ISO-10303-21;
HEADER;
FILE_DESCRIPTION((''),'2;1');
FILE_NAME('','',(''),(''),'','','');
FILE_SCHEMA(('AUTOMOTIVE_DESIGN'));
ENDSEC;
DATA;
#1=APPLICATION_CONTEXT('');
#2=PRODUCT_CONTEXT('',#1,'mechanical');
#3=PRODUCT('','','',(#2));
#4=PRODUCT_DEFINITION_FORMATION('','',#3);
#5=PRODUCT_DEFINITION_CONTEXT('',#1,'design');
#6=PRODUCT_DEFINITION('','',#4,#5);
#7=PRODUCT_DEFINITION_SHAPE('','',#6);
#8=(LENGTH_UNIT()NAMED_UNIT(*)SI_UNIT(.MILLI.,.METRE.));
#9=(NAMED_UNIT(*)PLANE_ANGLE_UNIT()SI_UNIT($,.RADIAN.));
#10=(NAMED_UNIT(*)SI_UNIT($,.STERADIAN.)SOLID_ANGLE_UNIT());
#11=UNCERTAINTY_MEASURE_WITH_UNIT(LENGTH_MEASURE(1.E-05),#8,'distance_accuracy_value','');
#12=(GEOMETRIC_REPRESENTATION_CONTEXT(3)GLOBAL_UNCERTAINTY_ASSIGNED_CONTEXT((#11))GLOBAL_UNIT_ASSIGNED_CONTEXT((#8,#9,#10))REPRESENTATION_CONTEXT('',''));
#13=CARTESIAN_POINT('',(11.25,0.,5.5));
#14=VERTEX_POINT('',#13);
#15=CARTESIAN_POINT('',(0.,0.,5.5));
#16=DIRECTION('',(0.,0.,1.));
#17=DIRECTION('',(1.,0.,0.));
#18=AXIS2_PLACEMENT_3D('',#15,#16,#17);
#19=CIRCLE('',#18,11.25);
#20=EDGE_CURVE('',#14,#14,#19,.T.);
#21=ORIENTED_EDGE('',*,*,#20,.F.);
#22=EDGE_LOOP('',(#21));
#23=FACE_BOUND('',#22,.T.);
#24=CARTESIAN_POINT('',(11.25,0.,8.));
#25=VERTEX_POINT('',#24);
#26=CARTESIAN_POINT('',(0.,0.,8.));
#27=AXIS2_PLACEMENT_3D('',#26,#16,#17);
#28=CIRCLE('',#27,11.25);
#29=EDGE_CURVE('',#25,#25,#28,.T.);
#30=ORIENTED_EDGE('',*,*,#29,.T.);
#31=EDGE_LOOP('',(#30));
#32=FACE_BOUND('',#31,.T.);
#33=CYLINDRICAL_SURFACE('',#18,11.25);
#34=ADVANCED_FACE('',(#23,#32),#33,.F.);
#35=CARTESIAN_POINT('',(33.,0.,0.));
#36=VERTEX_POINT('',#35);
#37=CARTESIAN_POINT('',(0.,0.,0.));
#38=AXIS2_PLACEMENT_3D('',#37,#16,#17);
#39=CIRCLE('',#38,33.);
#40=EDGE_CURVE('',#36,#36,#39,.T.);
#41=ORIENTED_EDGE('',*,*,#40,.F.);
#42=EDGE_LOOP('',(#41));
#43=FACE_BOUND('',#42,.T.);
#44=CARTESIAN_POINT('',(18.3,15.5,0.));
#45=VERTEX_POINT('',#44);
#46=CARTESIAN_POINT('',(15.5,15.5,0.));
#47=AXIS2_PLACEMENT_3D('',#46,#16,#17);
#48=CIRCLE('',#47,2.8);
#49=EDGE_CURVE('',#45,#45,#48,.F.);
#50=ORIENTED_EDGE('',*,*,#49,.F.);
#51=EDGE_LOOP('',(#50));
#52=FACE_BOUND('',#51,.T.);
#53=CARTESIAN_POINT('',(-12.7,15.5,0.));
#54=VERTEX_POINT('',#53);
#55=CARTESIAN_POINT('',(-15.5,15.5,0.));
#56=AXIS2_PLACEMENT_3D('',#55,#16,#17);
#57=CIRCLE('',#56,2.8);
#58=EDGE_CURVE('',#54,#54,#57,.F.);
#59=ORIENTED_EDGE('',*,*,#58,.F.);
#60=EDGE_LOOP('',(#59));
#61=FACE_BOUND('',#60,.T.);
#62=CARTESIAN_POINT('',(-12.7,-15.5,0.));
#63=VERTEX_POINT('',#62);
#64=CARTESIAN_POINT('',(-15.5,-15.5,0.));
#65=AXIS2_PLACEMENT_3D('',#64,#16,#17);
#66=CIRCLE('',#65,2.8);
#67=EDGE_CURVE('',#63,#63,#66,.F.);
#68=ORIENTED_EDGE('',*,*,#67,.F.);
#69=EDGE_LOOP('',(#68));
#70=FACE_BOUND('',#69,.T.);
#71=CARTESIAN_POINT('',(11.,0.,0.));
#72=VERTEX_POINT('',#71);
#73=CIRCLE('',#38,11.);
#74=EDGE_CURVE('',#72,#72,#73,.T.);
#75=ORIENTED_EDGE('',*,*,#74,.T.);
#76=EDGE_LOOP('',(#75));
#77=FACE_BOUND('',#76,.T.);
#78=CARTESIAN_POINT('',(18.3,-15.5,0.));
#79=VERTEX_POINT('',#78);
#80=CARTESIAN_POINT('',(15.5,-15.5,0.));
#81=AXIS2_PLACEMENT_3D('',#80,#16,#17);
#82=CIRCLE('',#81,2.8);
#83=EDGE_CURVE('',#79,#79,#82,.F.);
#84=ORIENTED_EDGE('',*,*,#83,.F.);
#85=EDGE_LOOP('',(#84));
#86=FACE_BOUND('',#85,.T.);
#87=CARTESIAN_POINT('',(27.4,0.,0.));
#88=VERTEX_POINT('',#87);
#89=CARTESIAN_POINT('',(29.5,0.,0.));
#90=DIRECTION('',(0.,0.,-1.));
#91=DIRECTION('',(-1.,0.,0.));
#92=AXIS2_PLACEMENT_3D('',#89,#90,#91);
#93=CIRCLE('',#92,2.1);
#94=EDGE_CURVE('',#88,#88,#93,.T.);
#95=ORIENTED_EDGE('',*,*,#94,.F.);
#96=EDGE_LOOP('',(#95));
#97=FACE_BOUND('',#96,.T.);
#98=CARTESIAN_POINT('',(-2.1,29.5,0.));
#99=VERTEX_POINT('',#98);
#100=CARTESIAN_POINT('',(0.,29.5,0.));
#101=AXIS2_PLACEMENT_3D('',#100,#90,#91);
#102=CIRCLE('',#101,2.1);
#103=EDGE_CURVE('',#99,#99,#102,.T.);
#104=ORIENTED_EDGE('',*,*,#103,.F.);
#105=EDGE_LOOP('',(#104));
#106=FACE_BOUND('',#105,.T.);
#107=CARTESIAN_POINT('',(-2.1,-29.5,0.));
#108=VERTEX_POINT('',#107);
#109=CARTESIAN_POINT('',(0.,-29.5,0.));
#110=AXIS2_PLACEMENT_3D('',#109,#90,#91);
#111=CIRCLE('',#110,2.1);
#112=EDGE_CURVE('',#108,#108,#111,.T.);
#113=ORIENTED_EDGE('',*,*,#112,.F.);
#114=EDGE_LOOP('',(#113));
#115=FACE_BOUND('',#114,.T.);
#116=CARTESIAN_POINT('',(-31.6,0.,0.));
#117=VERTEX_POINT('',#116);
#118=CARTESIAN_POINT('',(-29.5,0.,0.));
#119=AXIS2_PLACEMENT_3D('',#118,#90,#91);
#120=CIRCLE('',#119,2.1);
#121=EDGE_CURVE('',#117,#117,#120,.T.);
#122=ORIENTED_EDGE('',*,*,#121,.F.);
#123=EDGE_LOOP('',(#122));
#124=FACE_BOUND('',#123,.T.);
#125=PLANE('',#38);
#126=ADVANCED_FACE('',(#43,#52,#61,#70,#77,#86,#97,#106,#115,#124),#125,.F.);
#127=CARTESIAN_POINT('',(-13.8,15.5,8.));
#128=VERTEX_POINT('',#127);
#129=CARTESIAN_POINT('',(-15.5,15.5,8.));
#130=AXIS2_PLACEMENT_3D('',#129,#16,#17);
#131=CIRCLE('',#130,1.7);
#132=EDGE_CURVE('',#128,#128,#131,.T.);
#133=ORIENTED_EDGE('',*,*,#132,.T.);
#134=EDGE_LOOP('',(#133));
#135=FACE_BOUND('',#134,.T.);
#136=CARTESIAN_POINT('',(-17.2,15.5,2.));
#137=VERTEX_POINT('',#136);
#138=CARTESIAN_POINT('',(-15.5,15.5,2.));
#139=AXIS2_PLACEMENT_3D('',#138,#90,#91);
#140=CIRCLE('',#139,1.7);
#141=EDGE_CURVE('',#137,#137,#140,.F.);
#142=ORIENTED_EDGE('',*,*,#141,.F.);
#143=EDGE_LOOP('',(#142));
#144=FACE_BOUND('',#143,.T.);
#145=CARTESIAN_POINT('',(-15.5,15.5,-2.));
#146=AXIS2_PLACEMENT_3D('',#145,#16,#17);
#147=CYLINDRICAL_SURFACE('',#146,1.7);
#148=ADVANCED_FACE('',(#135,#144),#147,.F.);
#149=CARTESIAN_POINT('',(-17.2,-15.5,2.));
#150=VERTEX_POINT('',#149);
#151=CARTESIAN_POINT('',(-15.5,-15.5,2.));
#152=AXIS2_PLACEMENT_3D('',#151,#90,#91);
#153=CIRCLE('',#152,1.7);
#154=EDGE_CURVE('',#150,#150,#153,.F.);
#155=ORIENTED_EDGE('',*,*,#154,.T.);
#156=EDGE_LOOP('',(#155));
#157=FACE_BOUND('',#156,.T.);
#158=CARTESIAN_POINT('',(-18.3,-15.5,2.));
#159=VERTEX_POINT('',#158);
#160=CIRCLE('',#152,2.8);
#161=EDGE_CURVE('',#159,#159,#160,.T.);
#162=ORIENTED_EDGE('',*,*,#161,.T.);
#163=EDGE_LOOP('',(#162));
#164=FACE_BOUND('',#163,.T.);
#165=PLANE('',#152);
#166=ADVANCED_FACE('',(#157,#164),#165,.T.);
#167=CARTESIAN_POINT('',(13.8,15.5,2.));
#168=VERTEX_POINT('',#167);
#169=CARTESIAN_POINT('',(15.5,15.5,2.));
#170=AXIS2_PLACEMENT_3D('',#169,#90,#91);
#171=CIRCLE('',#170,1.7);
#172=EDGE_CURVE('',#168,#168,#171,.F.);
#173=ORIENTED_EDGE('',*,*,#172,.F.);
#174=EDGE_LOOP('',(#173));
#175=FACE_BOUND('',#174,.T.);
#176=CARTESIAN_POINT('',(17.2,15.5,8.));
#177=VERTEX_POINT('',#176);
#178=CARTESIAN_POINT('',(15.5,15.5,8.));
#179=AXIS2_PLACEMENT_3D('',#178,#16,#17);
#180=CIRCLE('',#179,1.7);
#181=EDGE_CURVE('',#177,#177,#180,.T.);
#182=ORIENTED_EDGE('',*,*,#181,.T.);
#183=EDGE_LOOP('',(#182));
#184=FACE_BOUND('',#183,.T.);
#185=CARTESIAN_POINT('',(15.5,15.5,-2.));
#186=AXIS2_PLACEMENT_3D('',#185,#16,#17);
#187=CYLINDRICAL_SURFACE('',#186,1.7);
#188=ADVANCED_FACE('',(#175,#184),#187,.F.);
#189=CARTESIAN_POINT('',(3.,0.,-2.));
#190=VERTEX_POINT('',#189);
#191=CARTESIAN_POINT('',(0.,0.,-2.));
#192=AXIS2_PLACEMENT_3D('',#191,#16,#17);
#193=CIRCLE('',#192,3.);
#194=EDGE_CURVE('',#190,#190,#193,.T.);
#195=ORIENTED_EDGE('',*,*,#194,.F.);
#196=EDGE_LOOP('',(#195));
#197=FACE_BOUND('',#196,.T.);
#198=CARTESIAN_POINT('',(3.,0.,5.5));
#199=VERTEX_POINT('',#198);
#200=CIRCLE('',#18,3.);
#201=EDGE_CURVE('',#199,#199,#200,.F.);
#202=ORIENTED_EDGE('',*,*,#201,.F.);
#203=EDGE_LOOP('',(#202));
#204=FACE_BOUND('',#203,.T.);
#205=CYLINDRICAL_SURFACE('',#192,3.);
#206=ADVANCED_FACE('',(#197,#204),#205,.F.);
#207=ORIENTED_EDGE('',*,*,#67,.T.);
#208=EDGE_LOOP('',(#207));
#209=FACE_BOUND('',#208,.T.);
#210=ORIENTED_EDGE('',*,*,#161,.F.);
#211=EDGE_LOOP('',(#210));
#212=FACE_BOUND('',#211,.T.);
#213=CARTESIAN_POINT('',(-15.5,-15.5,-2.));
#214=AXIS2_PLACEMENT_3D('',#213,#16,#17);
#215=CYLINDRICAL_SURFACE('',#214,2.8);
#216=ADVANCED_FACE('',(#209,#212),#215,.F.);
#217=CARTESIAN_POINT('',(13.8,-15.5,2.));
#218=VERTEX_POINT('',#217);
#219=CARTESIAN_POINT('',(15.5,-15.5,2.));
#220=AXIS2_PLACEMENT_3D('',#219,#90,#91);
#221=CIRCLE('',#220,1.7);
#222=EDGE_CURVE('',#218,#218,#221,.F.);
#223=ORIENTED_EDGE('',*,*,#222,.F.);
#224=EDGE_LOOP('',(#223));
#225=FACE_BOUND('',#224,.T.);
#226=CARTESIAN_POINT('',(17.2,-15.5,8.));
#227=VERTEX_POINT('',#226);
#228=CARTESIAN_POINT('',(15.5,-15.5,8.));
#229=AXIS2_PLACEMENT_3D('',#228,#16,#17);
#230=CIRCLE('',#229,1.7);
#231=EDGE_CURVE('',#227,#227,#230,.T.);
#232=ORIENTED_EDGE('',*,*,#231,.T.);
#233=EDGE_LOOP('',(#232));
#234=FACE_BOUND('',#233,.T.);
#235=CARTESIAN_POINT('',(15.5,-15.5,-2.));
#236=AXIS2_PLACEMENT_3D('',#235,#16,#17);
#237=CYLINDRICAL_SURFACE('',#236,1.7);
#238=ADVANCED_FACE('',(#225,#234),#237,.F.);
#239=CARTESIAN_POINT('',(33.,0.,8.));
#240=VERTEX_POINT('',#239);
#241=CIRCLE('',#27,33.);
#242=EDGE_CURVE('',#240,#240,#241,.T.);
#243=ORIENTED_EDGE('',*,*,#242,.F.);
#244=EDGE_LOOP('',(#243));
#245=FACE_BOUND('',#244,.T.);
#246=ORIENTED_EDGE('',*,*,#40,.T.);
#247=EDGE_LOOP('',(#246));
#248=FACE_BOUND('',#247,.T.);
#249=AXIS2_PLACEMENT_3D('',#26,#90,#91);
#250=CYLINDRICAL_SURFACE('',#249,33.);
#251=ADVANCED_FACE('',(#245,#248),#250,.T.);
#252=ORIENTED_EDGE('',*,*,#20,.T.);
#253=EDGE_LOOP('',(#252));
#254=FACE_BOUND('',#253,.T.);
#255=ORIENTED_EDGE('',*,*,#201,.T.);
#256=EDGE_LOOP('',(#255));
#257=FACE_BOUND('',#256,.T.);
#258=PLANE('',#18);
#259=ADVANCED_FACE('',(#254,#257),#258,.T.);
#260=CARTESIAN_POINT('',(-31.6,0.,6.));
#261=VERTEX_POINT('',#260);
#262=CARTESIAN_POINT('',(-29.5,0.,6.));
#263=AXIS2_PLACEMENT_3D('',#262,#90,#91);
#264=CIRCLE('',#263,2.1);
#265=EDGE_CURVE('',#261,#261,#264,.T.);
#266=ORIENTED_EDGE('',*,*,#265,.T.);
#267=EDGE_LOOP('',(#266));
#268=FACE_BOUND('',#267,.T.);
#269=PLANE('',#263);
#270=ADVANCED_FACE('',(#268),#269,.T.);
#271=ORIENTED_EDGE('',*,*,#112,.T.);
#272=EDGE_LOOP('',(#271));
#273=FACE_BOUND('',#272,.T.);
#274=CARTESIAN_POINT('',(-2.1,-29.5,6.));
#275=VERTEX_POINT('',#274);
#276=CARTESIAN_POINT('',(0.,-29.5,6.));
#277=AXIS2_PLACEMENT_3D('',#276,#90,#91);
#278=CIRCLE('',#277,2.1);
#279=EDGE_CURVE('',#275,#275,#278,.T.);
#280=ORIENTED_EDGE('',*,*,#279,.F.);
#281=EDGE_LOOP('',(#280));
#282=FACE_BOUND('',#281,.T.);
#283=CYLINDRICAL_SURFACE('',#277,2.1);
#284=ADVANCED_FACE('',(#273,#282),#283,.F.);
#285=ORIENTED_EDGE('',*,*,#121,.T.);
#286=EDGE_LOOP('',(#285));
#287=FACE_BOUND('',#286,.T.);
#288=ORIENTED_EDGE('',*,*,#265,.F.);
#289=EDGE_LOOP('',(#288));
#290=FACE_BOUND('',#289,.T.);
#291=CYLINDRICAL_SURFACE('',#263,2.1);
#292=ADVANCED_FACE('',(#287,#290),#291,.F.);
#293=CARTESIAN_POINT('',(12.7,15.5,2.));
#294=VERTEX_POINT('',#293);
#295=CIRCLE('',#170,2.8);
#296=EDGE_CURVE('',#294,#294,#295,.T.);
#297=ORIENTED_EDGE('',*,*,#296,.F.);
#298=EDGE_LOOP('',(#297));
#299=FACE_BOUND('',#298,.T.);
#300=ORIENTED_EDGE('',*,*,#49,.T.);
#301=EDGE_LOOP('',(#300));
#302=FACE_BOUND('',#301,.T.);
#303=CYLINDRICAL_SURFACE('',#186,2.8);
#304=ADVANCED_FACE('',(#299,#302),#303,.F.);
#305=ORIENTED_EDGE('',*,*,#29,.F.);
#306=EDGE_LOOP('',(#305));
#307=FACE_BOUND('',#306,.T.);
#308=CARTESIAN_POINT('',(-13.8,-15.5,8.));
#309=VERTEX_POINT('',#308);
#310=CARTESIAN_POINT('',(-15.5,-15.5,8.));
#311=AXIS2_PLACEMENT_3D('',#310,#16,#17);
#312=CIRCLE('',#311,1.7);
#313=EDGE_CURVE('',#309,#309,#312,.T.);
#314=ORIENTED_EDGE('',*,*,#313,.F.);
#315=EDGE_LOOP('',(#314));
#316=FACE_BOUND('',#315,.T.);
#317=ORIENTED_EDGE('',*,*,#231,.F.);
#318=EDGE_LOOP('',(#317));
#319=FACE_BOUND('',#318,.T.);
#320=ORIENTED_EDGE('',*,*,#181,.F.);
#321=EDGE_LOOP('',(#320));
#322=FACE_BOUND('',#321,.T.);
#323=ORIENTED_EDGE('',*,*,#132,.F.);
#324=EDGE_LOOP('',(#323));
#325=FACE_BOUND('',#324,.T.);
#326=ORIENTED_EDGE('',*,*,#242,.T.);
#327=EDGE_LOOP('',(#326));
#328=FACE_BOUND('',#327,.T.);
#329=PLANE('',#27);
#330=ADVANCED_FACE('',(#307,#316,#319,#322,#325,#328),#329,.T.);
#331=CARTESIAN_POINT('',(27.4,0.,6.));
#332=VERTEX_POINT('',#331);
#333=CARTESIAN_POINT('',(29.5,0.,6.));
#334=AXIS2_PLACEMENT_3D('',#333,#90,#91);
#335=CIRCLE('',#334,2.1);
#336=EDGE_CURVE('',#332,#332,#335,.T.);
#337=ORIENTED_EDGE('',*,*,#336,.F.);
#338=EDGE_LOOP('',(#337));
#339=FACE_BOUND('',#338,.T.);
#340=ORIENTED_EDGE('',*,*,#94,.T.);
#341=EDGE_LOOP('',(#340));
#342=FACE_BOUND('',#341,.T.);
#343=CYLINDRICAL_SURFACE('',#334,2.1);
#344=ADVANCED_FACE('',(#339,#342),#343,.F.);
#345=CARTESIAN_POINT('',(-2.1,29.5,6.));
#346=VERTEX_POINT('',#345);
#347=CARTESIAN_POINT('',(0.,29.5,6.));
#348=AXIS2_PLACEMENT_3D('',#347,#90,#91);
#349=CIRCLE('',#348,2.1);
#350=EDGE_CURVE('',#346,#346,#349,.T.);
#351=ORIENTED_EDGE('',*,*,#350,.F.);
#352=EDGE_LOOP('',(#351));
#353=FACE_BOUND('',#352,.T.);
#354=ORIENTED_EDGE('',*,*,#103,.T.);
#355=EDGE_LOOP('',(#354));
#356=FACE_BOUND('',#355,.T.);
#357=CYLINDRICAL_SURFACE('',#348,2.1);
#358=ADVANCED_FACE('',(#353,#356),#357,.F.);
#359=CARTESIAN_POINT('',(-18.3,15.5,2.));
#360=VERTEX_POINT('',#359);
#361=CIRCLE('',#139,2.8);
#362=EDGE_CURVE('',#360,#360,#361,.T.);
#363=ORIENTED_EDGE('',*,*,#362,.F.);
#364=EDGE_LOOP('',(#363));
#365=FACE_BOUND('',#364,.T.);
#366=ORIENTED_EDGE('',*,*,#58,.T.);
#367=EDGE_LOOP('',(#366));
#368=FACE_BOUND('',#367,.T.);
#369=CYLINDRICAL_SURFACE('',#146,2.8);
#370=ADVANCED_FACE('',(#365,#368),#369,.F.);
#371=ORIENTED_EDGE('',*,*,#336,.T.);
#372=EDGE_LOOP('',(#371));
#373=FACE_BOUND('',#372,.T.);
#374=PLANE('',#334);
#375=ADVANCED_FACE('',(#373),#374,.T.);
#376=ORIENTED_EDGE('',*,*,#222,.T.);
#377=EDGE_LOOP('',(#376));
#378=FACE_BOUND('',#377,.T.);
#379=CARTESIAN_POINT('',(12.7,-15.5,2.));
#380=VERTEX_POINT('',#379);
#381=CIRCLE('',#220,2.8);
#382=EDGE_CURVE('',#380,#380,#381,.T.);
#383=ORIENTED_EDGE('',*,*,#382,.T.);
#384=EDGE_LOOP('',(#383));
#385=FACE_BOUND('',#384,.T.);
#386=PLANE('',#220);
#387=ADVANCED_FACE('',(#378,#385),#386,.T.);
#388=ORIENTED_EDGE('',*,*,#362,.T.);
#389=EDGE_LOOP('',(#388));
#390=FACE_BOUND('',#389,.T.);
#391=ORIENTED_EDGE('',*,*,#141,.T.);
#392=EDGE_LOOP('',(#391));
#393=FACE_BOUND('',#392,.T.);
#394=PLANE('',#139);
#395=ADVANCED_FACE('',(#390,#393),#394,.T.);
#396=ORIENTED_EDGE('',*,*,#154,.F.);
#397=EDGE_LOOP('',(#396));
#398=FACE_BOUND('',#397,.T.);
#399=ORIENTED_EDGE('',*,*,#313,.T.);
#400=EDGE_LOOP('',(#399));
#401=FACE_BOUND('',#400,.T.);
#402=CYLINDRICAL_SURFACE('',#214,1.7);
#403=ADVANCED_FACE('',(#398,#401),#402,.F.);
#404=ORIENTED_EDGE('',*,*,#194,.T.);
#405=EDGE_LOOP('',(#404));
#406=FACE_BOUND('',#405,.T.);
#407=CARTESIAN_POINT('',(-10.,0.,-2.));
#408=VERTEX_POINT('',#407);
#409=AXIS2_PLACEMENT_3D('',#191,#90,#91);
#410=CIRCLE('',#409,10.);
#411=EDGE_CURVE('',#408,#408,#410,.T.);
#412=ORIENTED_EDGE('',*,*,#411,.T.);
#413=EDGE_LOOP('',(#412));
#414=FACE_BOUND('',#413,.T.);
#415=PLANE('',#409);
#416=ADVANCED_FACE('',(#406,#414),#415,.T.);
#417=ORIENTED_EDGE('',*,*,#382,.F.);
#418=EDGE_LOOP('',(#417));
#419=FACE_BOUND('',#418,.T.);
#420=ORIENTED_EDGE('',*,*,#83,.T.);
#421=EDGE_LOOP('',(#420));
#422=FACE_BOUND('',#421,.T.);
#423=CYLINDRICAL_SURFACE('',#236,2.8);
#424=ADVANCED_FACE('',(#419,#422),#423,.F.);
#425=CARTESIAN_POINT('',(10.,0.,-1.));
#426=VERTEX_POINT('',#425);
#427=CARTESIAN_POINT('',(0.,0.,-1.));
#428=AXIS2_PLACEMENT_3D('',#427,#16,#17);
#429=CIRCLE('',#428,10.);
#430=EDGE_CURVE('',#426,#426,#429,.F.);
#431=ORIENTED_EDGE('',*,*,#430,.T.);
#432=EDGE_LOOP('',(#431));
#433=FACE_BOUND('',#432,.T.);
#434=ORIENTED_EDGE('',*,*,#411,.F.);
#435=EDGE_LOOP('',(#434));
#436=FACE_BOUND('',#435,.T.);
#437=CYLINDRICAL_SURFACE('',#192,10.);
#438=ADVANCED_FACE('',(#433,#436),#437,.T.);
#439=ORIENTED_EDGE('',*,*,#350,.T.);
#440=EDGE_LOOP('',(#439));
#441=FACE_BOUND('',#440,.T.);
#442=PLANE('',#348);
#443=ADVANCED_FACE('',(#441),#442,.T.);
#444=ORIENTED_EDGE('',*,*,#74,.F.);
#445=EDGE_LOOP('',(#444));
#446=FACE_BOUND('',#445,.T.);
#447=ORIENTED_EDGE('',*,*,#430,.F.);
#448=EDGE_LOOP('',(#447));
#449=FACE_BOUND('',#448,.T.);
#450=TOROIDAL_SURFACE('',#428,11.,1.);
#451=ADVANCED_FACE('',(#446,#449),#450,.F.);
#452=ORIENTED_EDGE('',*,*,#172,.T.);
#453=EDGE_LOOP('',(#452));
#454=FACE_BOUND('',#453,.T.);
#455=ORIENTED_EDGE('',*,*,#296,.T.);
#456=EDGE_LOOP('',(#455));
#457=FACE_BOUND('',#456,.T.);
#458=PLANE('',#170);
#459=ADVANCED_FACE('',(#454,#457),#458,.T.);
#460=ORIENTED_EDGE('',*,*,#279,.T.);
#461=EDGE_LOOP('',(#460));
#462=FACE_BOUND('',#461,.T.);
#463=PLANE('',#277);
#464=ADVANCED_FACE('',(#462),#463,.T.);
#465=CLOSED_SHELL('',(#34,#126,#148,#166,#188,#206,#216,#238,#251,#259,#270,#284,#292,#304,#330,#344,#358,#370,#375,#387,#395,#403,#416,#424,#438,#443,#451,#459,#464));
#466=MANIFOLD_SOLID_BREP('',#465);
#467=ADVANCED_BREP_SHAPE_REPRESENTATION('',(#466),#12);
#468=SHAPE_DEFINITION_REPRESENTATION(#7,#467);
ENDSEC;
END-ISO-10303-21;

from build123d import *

# Parameters (mm, degrees)
SKETCH2_R               = 33
BOSS_EXTRUDE1_DEPTH     = 8
SKETCH6_R               = 10
BOSS_EXTRUDE2_DEPTH     = 2
CUT_EXTRUDE1_DEPTH      = 48.728398255
CUT_EXTRUDE1_DEPTH_BACK = 48.728398255
SKETCH3_R               = 1.7
SKETCH3_R_2             = 3
CUT_EXTRUDE2_DEPTH      = 48.349762407
CUT_EXTRUDE2_DEPTH_BACK = 2
SKETCH4_R               = 2.8
SKETCH5_R               = 2.1
CUT_EXTRUDE3_DEPTH      = 6
FILLET1_R               = 1
SKETCH7_R               = 11.25
CUT_EXTRUDE4_DEPTH      = 2.5


with BuildPart() as part:
    # Sketch2 → Boss-Extrude1 (new body)
    with BuildSketch(Plane.XY):
        Circle(SKETCH2_R)
    extrude(amount=BOSS_EXTRUDE1_DEPTH)

    # Sketch6 → Boss-Extrude2 (add)
    with BuildSketch(Plane(origin=(0, 0, 0), x_dir=(-1, 0, 0), z_dir=(0, 0, -1))):
        Circle(SKETCH6_R)
    extrude(amount=BOSS_EXTRUDE2_DEPTH)

    # Sketch3 → Cut-Extrude1 (cut, two sides: drawn at the far end of the back side and taken through both)
    with BuildSketch(Plane.XY.offset(8).offset(-CUT_EXTRUDE1_DEPTH_BACK)):
        with Locations((-15.5, 15.5)):
            Circle(SKETCH3_R)
        with Locations((15.5, 15.5)):
            Circle(SKETCH3_R)
        with Locations((15.5, -15.5)):
            Circle(SKETCH3_R)
        with Locations((-15.5, -15.5)):
            Circle(SKETCH3_R)
        Circle(SKETCH3_R_2)
    extrude(amount=CUT_EXTRUDE1_DEPTH + CUT_EXTRUDE1_DEPTH_BACK, mode=Mode.SUBTRACT)

    # Sketch4 → Cut-Extrude2 (cut, two sides: drawn at the far end of the back side and taken through both)
    with BuildSketch(Plane(origin=(0, 0, 0), x_dir=(-1, 0, 0), z_dir=(0, 0, -1)).offset(-CUT_EXTRUDE2_DEPTH_BACK)):
        with Locations(Location((-15.5, 15.5, 0), (0, 0, 180))):
            Circle(SKETCH4_R)
        with Locations(Location((15.5, 15.5, 0), (0, 0, 180))):
            Circle(SKETCH4_R)
        with Locations(Location((15.5, -15.5, 0), (0, 0, 180))):
            Circle(SKETCH4_R)
        with Locations(Location((-15.5, -15.5, 0), (0, 0, 180))):
            Circle(SKETCH4_R)
    extrude(amount=CUT_EXTRUDE2_DEPTH + CUT_EXTRUDE2_DEPTH_BACK, mode=Mode.SUBTRACT)

    # Sketch5 → Cut-Extrude3 (cut)
    with BuildSketch(Plane(origin=(0, 0, 0), x_dir=(-1, 0, 0), z_dir=(0, 0, -1))):
        with Locations((0, 29.5)):
            Circle(SKETCH5_R)
        with Locations((29.5, 0)):
            Circle(SKETCH5_R)
        with Locations((0, -29.5)):
            Circle(SKETCH5_R)
        with Locations((-29.5, 0)):
            Circle(SKETCH5_R)
    extrude(amount=-CUT_EXTRUDE3_DEPTH, mode=Mode.SUBTRACT)

    # Fillet1
    fillet1_edges = [part.edges().sort_by_distance(p)[0] for p in [
        (10, 0, 0),
    ]]
    fillet(fillet1_edges, radius=FILLET1_R)

    # Sketch7 → Cut-Extrude4 (cut)
    with BuildSketch(Plane.XY.offset(8)):
        Circle(SKETCH7_R)
    extrude(amount=-CUT_EXTRUDE4_DEPTH, mode=Mode.SUBTRACT)


solid = part.part
